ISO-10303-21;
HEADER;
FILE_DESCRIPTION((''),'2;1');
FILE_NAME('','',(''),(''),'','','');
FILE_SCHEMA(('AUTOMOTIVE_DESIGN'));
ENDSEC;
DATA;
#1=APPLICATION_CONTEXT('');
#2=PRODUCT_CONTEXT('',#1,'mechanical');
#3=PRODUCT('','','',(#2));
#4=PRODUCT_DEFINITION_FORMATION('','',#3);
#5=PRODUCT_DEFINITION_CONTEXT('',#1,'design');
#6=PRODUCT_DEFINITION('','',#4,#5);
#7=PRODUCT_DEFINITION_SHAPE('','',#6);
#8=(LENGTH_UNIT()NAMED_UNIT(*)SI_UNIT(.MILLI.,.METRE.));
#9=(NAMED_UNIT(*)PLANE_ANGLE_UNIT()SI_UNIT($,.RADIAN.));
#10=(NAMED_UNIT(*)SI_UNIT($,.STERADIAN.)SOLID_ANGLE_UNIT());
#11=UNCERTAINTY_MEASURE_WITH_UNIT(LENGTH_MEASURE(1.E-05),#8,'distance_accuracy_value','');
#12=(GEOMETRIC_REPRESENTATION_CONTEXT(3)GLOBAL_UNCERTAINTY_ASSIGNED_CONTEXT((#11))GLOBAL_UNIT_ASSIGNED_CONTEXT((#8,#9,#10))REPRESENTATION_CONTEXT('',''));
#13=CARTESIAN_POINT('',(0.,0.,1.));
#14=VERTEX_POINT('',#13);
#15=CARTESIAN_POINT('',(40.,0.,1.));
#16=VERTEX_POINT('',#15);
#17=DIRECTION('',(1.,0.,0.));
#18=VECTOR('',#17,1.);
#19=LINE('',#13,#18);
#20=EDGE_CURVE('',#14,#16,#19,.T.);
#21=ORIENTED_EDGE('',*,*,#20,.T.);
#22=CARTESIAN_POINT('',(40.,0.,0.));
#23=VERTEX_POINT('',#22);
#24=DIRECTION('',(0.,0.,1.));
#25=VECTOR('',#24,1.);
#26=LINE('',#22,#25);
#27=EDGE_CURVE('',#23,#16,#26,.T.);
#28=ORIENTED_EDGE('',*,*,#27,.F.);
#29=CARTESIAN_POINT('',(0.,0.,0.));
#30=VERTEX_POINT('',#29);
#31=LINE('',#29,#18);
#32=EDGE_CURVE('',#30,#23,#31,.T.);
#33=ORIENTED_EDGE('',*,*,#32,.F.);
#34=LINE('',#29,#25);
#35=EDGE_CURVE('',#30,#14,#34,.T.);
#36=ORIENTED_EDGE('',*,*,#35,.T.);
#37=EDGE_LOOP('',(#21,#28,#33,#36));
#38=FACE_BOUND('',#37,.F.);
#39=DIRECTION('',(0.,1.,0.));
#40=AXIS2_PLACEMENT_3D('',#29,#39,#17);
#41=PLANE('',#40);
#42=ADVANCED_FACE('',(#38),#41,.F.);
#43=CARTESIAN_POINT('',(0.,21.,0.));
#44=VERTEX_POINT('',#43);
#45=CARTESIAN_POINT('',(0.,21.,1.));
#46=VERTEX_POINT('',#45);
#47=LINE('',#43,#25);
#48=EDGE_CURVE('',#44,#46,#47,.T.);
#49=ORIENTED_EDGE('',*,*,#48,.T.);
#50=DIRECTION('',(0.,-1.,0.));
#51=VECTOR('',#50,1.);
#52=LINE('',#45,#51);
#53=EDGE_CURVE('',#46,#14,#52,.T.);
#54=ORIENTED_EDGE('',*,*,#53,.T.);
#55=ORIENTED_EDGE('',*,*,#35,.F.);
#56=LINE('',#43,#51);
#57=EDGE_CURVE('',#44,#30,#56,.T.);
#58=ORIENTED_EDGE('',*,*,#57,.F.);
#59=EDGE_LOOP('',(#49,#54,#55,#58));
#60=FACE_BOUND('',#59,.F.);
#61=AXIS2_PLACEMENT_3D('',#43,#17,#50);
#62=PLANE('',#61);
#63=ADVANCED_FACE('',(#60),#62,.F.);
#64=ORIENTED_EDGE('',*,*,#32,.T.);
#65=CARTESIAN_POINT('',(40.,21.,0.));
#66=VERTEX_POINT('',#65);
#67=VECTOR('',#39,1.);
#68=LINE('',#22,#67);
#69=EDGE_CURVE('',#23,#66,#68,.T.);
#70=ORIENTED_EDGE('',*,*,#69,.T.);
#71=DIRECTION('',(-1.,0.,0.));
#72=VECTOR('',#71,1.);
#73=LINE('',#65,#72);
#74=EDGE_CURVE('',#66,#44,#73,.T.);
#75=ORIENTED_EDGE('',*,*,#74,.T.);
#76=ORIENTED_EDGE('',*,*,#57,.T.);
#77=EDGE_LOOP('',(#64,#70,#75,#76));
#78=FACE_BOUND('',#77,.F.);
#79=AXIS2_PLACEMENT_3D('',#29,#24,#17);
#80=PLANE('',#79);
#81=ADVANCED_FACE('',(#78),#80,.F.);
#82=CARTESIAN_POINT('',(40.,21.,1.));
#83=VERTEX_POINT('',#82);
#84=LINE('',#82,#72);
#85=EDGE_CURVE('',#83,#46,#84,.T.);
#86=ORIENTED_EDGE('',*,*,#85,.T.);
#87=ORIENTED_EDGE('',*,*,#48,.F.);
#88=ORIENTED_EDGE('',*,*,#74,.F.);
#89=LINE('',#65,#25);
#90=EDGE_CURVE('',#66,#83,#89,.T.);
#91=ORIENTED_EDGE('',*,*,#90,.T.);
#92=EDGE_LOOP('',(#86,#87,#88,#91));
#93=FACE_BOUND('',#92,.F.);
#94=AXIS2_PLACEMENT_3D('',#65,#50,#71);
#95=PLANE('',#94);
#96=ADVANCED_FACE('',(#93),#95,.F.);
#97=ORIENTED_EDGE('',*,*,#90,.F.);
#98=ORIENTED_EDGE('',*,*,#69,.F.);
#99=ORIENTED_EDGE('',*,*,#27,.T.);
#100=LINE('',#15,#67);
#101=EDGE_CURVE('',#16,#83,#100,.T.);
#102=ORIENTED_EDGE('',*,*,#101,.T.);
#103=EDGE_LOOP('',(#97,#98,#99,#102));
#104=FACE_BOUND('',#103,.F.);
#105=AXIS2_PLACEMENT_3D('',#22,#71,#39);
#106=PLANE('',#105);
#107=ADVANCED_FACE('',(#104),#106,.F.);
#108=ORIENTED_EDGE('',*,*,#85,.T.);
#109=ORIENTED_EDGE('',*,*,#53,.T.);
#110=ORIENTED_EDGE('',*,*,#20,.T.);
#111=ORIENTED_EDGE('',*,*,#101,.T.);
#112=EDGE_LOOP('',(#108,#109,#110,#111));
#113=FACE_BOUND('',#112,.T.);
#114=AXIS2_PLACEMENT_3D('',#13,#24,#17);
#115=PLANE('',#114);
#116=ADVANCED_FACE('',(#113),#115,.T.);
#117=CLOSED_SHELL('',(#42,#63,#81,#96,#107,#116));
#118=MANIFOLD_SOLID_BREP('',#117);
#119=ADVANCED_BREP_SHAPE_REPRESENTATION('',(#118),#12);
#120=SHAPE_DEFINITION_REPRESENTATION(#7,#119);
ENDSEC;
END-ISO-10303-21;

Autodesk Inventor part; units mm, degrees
ref_plane "YZ Plane" through (0, 0, 0) normal (1, 0, 0) x (0, 1, 0)
ref_plane "XZ Plane" through (0, 0, 0) normal (0, 1, 0) x (-1, 0, 0)
ref_plane "XY Plane" through (0, 0, 0) normal (0, 0, 1) x (1, 0, 0)
sketch "Sketch1" plane through (0, 0, 0) normal (0, 0, 1) x (1, 0, 0)
  point P0 (0, 0)
sketch "Sketch2" plane through (0, 0, 0) normal (0, 0, 1) x (1, 0, 0)
  line L0 (0, 0) -> (40, 0)
  line L1 (40, 0) -> (40, 21)
  line L2 (40, 21) -> (0, 21)
  line L3 (0, 21) -> (0, 0)
  dimension "d0" = 40
  dimension "d1" = 21
extrude "Extrusion1" add sketch "Sketch2" along normal blind 1
properties part number "base"
